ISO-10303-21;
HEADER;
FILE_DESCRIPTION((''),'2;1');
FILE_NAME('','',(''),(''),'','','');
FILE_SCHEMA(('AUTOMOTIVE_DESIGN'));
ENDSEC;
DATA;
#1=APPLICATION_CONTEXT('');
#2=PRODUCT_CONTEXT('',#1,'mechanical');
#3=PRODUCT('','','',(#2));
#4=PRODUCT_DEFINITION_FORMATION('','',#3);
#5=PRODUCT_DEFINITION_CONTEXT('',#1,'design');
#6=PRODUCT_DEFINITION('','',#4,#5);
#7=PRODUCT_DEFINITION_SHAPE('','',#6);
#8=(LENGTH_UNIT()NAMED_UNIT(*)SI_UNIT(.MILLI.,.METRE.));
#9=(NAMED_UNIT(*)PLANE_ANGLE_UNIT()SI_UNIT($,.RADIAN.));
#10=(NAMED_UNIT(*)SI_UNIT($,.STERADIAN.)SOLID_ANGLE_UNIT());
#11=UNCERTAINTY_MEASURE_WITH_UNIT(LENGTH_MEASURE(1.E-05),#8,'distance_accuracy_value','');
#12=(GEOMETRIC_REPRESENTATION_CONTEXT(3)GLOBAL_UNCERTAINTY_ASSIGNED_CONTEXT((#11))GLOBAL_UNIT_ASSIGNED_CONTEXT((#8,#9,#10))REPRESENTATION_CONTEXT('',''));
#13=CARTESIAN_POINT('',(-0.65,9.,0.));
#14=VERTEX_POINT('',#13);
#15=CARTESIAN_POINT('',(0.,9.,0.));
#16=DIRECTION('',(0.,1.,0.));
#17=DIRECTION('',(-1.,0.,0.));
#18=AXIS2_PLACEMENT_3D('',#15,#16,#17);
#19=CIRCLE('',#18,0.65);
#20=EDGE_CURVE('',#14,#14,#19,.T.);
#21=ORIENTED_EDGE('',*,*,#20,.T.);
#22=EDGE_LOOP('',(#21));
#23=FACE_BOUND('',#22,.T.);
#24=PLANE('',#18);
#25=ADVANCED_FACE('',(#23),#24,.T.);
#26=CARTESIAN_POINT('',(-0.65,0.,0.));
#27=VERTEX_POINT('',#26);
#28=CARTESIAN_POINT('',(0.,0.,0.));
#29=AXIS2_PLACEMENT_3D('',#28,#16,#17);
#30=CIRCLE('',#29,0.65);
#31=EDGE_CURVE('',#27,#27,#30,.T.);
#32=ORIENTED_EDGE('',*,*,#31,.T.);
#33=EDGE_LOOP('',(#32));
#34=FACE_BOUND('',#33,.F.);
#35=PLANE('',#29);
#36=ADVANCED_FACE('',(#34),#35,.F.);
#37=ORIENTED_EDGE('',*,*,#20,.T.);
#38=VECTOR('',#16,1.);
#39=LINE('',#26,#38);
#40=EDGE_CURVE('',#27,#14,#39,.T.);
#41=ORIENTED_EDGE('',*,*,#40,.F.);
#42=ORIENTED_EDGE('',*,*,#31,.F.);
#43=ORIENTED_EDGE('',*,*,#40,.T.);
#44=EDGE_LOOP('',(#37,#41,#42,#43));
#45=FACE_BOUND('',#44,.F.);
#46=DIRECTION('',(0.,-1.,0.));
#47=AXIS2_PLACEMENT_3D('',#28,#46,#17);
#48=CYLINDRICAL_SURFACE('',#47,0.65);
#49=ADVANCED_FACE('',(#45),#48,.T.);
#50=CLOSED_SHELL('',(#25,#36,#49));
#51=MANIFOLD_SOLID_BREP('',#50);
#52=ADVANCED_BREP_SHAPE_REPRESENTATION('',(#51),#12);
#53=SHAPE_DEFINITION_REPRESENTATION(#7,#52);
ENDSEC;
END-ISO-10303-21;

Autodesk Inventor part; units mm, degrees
ref_plane "YZ Plane" through (0, 0, 0) normal (1, 0, 0) x (0, 1, 0)
ref_plane "XZ Plane" through (0, 0, 0) normal (0, 1, 0) x (-1, 0, 0)
ref_plane "XY Plane" through (0, 0, 0) normal (0, 0, 1) x (1, 0, 0)
sketch "Sketch1" plane through (0, 0, 0) normal (0, 1, 0) x (-1, 0, 0)
  circle A0 centre (0, 0) radius 0.65
  dimension "d0" = 1.3
extrude "Extrusion1" add sketch "Sketch1" along normal blind 9
properties part number "ToAttach"
